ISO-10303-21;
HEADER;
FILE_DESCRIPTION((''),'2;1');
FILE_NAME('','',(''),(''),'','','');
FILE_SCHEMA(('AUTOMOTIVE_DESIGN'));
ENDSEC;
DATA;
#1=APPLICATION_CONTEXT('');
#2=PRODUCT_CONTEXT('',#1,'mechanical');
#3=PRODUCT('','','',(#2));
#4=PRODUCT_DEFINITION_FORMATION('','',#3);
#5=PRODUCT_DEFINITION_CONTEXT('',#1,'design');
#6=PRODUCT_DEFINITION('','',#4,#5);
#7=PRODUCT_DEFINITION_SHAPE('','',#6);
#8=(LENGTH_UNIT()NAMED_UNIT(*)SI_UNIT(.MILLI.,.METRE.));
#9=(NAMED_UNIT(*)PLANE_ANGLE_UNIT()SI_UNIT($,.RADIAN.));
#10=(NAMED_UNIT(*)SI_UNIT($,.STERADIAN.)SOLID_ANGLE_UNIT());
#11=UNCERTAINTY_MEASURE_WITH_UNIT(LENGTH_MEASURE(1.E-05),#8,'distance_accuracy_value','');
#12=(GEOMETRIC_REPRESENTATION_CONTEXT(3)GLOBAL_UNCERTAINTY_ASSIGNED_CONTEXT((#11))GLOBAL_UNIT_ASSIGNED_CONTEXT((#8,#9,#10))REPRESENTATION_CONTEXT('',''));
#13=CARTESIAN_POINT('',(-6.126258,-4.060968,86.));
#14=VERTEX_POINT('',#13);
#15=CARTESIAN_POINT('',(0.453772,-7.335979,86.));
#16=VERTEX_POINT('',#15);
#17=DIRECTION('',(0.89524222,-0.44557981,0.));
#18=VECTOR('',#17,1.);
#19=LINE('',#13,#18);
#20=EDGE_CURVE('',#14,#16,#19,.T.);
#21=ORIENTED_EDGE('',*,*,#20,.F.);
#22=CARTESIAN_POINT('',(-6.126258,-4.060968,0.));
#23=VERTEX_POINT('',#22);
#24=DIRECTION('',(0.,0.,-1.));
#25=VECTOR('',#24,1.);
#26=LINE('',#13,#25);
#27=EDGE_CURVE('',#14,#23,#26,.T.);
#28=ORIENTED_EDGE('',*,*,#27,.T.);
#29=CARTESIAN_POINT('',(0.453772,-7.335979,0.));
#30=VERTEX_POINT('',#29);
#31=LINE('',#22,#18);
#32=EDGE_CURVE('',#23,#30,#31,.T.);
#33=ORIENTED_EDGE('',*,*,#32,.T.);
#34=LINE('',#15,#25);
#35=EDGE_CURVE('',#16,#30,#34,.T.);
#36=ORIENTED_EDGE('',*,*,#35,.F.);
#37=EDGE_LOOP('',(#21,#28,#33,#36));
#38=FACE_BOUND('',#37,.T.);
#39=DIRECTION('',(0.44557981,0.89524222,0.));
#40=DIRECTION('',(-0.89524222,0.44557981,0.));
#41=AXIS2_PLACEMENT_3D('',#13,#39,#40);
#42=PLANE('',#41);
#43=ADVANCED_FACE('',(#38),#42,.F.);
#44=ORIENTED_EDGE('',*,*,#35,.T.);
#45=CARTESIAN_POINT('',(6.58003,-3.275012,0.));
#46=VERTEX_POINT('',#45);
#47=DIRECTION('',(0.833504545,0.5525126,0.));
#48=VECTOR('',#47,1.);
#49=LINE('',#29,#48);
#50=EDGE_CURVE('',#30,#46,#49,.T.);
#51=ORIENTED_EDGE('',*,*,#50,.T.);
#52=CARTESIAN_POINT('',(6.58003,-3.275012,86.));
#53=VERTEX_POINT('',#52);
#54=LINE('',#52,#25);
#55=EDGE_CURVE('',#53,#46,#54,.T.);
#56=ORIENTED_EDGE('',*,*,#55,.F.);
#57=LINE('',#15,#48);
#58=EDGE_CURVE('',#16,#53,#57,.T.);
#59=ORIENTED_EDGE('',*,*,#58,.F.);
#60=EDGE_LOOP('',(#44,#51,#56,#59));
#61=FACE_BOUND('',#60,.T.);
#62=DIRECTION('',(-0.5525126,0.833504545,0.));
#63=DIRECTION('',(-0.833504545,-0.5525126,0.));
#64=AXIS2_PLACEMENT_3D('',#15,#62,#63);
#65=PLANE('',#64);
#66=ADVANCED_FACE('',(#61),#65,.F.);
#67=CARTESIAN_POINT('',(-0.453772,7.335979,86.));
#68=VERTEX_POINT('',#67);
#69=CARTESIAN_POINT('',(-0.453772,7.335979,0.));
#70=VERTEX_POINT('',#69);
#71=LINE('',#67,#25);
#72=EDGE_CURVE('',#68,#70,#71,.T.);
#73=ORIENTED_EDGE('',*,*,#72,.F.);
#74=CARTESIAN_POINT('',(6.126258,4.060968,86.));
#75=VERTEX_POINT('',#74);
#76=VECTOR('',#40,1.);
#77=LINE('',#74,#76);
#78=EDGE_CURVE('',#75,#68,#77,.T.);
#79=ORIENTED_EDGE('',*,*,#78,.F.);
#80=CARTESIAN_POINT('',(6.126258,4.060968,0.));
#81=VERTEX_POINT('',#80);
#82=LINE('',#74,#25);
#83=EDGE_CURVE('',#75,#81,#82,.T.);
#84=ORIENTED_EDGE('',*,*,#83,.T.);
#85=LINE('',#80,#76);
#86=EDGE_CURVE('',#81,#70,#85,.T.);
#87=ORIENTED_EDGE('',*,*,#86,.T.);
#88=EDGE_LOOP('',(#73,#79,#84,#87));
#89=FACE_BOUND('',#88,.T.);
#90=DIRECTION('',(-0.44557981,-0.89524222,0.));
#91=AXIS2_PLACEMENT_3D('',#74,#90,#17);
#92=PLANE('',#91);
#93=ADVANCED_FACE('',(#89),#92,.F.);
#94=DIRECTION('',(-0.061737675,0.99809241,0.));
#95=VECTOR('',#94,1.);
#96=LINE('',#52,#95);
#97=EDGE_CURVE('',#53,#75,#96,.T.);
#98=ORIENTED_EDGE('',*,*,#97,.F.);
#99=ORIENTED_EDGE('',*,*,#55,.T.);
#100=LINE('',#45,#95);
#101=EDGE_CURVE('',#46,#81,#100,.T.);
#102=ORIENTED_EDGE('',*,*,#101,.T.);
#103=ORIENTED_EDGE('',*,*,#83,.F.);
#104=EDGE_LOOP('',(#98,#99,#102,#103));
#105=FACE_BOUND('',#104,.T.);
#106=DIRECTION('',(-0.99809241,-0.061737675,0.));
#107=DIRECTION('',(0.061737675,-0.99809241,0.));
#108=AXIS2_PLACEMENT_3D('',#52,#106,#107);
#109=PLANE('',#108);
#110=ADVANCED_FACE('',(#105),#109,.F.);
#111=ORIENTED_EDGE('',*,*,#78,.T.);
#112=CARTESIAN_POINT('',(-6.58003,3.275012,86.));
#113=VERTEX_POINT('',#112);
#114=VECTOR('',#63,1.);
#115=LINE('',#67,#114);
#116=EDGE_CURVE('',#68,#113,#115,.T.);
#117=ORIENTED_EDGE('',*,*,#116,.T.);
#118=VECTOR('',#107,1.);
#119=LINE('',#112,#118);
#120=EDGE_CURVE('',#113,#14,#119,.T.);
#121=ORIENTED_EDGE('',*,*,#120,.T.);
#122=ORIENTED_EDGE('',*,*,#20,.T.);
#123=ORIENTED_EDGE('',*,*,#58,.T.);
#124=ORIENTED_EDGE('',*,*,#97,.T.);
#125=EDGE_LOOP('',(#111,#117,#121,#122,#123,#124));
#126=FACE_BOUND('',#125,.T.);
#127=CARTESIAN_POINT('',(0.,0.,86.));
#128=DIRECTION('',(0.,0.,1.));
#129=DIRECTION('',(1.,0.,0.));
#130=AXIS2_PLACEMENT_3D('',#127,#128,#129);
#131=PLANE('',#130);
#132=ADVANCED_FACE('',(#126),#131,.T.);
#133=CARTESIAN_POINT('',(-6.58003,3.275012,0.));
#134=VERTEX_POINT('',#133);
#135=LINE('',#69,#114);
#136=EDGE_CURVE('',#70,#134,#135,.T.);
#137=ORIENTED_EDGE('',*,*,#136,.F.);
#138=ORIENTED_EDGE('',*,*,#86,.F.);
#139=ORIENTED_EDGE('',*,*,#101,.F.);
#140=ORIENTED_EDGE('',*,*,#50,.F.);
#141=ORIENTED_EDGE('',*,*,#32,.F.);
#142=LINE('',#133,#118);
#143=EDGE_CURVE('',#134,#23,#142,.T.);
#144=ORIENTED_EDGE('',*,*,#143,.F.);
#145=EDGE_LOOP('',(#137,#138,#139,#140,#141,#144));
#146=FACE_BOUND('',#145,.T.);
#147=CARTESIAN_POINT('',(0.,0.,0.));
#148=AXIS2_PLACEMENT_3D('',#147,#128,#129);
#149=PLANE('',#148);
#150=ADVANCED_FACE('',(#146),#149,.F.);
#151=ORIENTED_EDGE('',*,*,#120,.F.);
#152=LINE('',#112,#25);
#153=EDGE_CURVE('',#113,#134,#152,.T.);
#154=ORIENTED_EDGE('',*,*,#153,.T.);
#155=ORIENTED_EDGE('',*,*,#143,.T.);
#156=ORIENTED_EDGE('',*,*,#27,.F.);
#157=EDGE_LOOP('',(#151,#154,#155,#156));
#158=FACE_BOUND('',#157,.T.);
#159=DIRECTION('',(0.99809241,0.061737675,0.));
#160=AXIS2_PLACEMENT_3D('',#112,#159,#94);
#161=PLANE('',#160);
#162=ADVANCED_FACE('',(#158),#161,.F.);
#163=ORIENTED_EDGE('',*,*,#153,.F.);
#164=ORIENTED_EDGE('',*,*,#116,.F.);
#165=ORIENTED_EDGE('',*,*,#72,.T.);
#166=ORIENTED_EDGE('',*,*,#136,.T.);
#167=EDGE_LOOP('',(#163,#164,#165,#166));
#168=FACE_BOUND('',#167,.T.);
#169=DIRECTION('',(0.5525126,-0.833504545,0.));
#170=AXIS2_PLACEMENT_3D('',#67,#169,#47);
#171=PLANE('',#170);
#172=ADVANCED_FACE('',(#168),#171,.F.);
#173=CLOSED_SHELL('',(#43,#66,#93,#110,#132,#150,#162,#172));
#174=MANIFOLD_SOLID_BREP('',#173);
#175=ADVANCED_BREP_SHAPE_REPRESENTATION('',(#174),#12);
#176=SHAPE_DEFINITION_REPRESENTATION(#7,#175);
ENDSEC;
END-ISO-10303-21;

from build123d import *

# Parameters (mm, degrees)
BOSS_EXTRUDE1_DEPTH = 86


with BuildPart() as part:
    # Sketch1 → Boss-Extrude1 (new body)
    with BuildSketch(Plane.XY):
        Polygon((-0.45377191, 7.335979216), (-6.580030318, 3.275011606), (-6.126258407, -4.06096761), (0.45377191, -7.335979216), (6.580030318, -3.275011606), (6.126258407, 4.06096761), align=None)
    extrude(amount=BOSS_EXTRUDE1_DEPTH)


solid = part.part
